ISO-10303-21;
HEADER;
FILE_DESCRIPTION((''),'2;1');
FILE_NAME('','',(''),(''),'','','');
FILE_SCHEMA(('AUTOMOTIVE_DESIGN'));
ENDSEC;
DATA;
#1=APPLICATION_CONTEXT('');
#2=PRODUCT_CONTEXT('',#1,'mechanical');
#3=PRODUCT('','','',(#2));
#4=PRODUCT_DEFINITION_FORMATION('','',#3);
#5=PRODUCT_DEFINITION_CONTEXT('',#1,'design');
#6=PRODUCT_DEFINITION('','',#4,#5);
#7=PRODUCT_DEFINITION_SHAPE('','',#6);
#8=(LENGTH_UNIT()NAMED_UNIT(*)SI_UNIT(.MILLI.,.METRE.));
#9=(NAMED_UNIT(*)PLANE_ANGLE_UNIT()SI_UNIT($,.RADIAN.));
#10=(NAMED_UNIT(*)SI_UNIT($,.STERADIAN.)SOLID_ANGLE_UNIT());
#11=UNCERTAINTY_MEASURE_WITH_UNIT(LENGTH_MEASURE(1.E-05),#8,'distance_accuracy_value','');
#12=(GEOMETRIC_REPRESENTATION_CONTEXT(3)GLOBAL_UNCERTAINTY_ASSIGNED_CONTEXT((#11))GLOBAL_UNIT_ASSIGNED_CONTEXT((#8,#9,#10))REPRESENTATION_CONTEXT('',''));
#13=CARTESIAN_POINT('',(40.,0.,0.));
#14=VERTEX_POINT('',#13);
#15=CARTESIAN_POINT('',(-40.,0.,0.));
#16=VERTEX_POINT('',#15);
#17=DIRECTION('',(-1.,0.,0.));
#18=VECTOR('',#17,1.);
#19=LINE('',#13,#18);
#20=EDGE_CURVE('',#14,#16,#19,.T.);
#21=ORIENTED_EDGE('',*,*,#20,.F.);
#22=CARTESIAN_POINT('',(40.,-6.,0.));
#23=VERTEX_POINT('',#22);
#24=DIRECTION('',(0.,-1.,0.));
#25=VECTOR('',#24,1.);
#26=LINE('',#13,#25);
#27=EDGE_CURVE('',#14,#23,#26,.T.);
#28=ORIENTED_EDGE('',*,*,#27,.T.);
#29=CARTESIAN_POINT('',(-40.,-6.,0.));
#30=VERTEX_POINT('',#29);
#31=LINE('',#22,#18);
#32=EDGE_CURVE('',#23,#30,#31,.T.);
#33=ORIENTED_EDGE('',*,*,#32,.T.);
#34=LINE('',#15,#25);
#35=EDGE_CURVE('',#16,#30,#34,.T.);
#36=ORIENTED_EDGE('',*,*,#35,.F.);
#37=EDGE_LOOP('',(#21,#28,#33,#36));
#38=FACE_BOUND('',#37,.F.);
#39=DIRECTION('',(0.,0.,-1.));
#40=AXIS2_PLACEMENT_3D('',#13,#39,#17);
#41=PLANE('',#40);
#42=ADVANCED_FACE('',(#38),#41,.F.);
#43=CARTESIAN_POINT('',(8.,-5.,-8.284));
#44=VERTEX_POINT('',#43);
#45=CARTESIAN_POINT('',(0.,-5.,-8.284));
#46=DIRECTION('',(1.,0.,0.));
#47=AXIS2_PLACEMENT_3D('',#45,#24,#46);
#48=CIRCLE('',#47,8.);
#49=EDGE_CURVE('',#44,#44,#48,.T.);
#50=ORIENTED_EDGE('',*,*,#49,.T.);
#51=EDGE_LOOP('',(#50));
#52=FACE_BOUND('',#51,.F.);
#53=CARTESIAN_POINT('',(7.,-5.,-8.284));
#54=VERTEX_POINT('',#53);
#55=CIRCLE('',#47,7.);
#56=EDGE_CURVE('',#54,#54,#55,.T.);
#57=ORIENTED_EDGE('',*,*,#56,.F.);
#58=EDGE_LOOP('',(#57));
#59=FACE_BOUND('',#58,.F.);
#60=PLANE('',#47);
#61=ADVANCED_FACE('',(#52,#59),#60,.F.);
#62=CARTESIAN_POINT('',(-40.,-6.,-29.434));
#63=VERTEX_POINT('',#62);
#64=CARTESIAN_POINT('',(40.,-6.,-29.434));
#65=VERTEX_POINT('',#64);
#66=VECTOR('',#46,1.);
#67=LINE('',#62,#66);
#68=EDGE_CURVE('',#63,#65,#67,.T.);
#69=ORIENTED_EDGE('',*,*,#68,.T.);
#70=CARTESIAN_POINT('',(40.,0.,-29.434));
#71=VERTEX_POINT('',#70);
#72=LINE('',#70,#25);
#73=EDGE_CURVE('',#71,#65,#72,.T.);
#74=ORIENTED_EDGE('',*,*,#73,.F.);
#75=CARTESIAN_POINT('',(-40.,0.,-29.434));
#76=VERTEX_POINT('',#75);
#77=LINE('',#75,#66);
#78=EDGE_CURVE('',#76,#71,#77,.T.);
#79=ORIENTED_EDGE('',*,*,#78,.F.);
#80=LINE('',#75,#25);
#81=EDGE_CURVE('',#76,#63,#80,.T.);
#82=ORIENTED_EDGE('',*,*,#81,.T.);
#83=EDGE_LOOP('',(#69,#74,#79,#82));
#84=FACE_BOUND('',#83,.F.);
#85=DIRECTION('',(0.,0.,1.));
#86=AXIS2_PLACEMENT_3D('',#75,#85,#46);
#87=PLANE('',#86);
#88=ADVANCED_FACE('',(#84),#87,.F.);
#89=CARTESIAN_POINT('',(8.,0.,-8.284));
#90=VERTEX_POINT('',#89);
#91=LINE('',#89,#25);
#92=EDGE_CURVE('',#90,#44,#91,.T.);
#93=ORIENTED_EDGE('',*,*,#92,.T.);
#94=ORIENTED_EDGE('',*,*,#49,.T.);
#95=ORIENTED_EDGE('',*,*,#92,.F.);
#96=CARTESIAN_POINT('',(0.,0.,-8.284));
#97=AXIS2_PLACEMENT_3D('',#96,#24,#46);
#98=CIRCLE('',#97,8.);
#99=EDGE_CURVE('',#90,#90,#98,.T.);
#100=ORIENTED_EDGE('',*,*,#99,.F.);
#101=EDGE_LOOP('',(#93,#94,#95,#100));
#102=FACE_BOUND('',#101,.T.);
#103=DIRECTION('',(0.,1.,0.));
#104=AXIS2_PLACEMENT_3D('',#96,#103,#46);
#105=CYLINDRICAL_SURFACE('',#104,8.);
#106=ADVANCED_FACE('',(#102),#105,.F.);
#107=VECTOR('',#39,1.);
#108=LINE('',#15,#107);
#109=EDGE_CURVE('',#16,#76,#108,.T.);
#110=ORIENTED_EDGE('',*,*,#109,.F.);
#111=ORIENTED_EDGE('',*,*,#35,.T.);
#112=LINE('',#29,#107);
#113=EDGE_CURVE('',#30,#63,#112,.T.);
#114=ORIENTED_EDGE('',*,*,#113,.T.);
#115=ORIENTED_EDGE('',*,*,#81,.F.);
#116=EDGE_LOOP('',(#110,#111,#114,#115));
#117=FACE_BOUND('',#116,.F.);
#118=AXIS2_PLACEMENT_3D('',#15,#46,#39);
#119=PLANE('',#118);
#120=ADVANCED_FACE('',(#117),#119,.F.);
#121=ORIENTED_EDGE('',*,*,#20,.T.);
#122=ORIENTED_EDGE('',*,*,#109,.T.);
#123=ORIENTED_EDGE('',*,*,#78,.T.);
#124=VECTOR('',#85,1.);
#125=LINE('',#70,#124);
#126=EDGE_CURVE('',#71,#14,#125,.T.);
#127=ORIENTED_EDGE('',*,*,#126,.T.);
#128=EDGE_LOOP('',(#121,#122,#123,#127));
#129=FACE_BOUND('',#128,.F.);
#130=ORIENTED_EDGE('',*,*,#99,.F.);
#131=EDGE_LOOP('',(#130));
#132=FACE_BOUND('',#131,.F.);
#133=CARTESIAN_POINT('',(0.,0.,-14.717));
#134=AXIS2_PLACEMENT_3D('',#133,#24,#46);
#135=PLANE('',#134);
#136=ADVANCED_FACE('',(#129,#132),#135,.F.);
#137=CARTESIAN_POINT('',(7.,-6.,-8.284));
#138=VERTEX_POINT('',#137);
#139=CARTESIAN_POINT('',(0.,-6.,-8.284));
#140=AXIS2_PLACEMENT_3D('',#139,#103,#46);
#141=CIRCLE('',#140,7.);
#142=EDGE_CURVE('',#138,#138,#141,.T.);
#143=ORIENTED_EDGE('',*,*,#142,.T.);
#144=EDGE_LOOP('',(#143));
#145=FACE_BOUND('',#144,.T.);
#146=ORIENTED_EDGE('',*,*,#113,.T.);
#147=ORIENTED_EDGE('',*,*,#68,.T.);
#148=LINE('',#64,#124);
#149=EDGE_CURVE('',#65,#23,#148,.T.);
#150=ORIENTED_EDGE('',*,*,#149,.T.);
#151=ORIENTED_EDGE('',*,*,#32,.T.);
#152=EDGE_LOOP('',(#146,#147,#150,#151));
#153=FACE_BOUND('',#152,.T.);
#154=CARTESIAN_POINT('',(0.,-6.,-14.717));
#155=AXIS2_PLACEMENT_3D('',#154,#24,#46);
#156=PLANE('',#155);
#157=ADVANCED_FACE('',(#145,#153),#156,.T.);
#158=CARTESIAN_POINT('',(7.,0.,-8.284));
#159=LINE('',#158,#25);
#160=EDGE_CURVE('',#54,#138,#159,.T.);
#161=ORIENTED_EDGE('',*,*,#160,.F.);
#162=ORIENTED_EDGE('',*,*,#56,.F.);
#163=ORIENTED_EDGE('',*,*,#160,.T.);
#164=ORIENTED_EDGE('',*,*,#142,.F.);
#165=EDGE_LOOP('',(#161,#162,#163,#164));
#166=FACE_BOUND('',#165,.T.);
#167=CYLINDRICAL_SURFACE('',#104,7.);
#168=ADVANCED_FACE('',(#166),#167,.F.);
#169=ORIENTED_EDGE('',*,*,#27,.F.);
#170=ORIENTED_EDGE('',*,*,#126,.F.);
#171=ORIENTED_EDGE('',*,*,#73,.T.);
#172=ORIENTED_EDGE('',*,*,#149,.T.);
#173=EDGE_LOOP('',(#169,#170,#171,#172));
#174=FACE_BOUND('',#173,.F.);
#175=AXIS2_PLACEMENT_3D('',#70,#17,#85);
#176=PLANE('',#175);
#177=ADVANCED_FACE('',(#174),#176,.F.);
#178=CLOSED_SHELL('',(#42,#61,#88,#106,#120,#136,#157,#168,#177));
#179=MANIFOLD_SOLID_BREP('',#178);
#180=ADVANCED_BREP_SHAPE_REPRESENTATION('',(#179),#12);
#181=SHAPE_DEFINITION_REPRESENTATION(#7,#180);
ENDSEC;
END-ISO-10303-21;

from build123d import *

# Parameters (mm, degrees)
F1_DEPTH = 6
F2_R     = 8
F2_R_2   = 7
F3_DEPTH = 5
F4_DEPTH = 26.3


with BuildPart() as f1:
    # F0 (on Front) → F1 (new body)
    with BuildSketch(Plane.XZ):
        Polygon((40, 0), (0, 0), (-40, 0), (-40, -29.434), (0, -29.434), (40, -29.434), align=None)
    extrude(amount=F1_DEPTH)

    # F2 (on face) → F3 (cut)
    with BuildSketch(Plane.XZ):
        with Locations((0, -8.284)):
            Circle(F2_R)
        with Locations((0, -8.284)):
            Circle(F2_R_2, mode=Mode.SUBTRACT)
    extrude(amount=F3_DEPTH, mode=Mode.SUBTRACT)

    # F2 (on face) → F4 (cut)
    with BuildSketch(Plane.XZ):
        with Locations((0, -8.284)):
            Circle(F2_R_2)
    extrude(amount=F4_DEPTH, mode=Mode.SUBTRACT)


solid = f1.part
